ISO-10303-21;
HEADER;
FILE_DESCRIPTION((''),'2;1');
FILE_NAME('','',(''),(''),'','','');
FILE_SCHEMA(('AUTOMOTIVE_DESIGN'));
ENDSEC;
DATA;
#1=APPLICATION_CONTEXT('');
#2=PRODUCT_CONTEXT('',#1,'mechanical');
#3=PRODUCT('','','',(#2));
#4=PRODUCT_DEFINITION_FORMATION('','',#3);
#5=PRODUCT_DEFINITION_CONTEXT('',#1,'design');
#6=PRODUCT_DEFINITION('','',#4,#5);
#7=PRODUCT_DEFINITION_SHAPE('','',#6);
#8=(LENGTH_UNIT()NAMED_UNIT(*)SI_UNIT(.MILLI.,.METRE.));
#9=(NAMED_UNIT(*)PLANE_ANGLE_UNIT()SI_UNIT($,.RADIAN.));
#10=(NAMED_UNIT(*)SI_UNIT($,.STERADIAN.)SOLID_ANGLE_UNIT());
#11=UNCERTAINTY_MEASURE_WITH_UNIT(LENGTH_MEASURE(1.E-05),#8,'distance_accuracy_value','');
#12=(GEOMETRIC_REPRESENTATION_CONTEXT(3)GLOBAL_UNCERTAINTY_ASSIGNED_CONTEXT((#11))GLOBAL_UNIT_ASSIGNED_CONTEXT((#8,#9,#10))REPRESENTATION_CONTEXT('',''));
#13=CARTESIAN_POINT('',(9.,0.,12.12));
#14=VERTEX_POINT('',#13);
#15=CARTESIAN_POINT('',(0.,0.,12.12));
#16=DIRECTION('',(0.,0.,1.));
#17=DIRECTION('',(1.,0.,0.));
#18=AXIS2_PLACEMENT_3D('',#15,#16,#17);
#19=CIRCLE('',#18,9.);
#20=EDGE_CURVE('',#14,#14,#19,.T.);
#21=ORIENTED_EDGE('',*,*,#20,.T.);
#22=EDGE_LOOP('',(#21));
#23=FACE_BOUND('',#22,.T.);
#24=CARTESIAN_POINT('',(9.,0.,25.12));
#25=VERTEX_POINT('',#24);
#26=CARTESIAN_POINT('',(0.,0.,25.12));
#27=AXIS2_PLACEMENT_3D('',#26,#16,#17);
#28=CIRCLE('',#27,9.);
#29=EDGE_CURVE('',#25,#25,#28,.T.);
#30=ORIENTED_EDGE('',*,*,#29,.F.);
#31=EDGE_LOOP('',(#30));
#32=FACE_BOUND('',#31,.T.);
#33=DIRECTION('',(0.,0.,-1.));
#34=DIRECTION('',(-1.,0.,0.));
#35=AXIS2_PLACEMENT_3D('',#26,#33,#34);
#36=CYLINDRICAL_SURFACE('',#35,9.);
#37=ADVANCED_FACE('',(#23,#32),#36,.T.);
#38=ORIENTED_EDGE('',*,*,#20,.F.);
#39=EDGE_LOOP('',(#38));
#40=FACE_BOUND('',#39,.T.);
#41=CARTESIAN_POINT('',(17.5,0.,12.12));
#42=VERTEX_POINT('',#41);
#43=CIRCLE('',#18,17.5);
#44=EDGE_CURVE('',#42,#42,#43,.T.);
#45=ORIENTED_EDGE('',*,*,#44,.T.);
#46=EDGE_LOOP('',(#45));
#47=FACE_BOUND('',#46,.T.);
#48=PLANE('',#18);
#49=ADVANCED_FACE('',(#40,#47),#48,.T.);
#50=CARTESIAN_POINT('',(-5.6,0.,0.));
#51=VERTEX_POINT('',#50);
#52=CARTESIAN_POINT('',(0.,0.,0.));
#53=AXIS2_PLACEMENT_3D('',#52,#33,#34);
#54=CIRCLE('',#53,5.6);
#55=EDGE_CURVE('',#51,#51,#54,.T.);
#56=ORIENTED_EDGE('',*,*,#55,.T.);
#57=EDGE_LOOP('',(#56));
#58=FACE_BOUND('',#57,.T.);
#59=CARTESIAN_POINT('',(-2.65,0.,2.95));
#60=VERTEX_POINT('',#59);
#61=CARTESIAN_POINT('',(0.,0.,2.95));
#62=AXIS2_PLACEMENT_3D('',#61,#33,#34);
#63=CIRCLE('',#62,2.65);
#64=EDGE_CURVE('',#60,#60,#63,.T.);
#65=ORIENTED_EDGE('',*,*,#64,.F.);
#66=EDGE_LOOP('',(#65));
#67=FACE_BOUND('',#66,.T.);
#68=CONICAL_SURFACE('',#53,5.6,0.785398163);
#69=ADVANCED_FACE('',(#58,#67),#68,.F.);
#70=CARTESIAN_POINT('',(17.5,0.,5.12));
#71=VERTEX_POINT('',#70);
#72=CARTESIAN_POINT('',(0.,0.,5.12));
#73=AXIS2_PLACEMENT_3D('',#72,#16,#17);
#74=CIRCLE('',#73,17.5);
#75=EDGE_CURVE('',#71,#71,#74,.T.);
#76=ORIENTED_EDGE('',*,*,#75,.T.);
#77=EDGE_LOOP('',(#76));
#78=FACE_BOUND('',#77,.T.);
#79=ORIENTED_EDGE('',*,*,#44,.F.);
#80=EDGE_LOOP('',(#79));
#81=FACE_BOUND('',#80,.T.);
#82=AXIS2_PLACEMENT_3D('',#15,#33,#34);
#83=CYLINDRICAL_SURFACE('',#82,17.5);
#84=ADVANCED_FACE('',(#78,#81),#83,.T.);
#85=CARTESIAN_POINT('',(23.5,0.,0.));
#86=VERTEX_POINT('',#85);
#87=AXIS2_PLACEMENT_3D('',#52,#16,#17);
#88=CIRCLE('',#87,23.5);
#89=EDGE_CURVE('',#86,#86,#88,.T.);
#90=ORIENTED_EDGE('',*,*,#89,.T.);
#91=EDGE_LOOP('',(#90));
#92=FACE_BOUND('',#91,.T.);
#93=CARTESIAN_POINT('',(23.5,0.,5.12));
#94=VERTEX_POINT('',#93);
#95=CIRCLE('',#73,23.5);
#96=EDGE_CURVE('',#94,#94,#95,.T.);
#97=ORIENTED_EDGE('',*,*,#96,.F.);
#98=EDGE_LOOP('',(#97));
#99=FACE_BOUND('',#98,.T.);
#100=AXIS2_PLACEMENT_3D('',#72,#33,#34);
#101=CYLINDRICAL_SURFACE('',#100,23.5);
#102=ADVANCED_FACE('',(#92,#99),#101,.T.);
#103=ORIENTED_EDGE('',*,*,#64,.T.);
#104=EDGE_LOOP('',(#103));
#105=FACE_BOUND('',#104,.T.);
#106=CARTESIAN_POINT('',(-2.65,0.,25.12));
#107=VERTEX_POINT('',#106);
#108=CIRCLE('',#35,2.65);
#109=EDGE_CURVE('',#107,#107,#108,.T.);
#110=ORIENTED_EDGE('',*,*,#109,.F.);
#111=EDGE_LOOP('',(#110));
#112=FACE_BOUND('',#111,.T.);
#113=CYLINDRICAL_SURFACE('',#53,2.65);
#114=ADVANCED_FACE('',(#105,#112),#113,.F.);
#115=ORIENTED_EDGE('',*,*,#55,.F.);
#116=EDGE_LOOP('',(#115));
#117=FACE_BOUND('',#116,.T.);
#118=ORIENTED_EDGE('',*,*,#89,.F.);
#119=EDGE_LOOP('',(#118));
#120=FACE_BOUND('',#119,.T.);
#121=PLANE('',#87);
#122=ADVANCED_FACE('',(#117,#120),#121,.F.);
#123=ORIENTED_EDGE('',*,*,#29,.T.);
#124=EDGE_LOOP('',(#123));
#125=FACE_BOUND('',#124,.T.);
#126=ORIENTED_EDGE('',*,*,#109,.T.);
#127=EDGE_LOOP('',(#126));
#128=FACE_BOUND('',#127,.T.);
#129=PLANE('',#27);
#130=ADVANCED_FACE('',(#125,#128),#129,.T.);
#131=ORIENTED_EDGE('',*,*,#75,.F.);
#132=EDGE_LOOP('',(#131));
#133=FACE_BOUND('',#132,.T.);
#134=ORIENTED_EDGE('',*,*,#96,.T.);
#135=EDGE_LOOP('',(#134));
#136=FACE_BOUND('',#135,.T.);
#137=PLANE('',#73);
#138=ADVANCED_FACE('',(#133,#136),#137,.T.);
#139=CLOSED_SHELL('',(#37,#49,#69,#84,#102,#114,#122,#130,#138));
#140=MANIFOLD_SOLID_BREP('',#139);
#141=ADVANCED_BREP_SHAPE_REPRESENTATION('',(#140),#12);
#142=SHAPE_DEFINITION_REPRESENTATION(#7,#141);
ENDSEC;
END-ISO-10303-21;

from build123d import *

# Parameters (mm, degrees)
SKETCH1_R                     = 23.5
BOSS_EXTRUDE1_DEPTH           = 5.12
SKETCH2_R                     = 17.5
BOSS_EXTRUDE2_DEPTH           = 7
SKETCH3_R                     = 9
BOSS_EXTRUDE3_DEPTH           = 13
CSK_FOR_M5_SFHCS1_D           = 5.3
CSK_FOR_M5_SFHCS1_CSINK_D     = 11.2
CSK_FOR_M5_SFHCS1_CSINK_ANGLE = 90


with BuildPart() as part:
    # Sketch1 → Boss-Extrude1 (new body)
    with BuildSketch(Plane.XY):
        Circle(SKETCH1_R)
    extrude(amount=BOSS_EXTRUDE1_DEPTH)

    # Sketch2 → Boss-Extrude2 (add)
    with BuildSketch(Plane.XY.offset(5.12)):
        Circle(SKETCH2_R)
    extrude(amount=BOSS_EXTRUDE2_DEPTH)

    # Sketch3 → Boss-Extrude3 (add)
    with BuildSketch(Plane.XY.offset(12.12)):
        Circle(SKETCH3_R)
    extrude(amount=BOSS_EXTRUDE3_DEPTH)

    # CSK for M5 SFHCS1 (through all)
    with Locations(Plane(origin=(0, 0, 0), x_dir=(-1, 0, 0), z_dir=(0, 0, -1))):
        with Locations((0, 0)):
            CounterSinkHole(CSK_FOR_M5_SFHCS1_D / 2, CSK_FOR_M5_SFHCS1_CSINK_D / 2, counter_sink_angle=CSK_FOR_M5_SFHCS1_CSINK_ANGLE)


solid = part.part
